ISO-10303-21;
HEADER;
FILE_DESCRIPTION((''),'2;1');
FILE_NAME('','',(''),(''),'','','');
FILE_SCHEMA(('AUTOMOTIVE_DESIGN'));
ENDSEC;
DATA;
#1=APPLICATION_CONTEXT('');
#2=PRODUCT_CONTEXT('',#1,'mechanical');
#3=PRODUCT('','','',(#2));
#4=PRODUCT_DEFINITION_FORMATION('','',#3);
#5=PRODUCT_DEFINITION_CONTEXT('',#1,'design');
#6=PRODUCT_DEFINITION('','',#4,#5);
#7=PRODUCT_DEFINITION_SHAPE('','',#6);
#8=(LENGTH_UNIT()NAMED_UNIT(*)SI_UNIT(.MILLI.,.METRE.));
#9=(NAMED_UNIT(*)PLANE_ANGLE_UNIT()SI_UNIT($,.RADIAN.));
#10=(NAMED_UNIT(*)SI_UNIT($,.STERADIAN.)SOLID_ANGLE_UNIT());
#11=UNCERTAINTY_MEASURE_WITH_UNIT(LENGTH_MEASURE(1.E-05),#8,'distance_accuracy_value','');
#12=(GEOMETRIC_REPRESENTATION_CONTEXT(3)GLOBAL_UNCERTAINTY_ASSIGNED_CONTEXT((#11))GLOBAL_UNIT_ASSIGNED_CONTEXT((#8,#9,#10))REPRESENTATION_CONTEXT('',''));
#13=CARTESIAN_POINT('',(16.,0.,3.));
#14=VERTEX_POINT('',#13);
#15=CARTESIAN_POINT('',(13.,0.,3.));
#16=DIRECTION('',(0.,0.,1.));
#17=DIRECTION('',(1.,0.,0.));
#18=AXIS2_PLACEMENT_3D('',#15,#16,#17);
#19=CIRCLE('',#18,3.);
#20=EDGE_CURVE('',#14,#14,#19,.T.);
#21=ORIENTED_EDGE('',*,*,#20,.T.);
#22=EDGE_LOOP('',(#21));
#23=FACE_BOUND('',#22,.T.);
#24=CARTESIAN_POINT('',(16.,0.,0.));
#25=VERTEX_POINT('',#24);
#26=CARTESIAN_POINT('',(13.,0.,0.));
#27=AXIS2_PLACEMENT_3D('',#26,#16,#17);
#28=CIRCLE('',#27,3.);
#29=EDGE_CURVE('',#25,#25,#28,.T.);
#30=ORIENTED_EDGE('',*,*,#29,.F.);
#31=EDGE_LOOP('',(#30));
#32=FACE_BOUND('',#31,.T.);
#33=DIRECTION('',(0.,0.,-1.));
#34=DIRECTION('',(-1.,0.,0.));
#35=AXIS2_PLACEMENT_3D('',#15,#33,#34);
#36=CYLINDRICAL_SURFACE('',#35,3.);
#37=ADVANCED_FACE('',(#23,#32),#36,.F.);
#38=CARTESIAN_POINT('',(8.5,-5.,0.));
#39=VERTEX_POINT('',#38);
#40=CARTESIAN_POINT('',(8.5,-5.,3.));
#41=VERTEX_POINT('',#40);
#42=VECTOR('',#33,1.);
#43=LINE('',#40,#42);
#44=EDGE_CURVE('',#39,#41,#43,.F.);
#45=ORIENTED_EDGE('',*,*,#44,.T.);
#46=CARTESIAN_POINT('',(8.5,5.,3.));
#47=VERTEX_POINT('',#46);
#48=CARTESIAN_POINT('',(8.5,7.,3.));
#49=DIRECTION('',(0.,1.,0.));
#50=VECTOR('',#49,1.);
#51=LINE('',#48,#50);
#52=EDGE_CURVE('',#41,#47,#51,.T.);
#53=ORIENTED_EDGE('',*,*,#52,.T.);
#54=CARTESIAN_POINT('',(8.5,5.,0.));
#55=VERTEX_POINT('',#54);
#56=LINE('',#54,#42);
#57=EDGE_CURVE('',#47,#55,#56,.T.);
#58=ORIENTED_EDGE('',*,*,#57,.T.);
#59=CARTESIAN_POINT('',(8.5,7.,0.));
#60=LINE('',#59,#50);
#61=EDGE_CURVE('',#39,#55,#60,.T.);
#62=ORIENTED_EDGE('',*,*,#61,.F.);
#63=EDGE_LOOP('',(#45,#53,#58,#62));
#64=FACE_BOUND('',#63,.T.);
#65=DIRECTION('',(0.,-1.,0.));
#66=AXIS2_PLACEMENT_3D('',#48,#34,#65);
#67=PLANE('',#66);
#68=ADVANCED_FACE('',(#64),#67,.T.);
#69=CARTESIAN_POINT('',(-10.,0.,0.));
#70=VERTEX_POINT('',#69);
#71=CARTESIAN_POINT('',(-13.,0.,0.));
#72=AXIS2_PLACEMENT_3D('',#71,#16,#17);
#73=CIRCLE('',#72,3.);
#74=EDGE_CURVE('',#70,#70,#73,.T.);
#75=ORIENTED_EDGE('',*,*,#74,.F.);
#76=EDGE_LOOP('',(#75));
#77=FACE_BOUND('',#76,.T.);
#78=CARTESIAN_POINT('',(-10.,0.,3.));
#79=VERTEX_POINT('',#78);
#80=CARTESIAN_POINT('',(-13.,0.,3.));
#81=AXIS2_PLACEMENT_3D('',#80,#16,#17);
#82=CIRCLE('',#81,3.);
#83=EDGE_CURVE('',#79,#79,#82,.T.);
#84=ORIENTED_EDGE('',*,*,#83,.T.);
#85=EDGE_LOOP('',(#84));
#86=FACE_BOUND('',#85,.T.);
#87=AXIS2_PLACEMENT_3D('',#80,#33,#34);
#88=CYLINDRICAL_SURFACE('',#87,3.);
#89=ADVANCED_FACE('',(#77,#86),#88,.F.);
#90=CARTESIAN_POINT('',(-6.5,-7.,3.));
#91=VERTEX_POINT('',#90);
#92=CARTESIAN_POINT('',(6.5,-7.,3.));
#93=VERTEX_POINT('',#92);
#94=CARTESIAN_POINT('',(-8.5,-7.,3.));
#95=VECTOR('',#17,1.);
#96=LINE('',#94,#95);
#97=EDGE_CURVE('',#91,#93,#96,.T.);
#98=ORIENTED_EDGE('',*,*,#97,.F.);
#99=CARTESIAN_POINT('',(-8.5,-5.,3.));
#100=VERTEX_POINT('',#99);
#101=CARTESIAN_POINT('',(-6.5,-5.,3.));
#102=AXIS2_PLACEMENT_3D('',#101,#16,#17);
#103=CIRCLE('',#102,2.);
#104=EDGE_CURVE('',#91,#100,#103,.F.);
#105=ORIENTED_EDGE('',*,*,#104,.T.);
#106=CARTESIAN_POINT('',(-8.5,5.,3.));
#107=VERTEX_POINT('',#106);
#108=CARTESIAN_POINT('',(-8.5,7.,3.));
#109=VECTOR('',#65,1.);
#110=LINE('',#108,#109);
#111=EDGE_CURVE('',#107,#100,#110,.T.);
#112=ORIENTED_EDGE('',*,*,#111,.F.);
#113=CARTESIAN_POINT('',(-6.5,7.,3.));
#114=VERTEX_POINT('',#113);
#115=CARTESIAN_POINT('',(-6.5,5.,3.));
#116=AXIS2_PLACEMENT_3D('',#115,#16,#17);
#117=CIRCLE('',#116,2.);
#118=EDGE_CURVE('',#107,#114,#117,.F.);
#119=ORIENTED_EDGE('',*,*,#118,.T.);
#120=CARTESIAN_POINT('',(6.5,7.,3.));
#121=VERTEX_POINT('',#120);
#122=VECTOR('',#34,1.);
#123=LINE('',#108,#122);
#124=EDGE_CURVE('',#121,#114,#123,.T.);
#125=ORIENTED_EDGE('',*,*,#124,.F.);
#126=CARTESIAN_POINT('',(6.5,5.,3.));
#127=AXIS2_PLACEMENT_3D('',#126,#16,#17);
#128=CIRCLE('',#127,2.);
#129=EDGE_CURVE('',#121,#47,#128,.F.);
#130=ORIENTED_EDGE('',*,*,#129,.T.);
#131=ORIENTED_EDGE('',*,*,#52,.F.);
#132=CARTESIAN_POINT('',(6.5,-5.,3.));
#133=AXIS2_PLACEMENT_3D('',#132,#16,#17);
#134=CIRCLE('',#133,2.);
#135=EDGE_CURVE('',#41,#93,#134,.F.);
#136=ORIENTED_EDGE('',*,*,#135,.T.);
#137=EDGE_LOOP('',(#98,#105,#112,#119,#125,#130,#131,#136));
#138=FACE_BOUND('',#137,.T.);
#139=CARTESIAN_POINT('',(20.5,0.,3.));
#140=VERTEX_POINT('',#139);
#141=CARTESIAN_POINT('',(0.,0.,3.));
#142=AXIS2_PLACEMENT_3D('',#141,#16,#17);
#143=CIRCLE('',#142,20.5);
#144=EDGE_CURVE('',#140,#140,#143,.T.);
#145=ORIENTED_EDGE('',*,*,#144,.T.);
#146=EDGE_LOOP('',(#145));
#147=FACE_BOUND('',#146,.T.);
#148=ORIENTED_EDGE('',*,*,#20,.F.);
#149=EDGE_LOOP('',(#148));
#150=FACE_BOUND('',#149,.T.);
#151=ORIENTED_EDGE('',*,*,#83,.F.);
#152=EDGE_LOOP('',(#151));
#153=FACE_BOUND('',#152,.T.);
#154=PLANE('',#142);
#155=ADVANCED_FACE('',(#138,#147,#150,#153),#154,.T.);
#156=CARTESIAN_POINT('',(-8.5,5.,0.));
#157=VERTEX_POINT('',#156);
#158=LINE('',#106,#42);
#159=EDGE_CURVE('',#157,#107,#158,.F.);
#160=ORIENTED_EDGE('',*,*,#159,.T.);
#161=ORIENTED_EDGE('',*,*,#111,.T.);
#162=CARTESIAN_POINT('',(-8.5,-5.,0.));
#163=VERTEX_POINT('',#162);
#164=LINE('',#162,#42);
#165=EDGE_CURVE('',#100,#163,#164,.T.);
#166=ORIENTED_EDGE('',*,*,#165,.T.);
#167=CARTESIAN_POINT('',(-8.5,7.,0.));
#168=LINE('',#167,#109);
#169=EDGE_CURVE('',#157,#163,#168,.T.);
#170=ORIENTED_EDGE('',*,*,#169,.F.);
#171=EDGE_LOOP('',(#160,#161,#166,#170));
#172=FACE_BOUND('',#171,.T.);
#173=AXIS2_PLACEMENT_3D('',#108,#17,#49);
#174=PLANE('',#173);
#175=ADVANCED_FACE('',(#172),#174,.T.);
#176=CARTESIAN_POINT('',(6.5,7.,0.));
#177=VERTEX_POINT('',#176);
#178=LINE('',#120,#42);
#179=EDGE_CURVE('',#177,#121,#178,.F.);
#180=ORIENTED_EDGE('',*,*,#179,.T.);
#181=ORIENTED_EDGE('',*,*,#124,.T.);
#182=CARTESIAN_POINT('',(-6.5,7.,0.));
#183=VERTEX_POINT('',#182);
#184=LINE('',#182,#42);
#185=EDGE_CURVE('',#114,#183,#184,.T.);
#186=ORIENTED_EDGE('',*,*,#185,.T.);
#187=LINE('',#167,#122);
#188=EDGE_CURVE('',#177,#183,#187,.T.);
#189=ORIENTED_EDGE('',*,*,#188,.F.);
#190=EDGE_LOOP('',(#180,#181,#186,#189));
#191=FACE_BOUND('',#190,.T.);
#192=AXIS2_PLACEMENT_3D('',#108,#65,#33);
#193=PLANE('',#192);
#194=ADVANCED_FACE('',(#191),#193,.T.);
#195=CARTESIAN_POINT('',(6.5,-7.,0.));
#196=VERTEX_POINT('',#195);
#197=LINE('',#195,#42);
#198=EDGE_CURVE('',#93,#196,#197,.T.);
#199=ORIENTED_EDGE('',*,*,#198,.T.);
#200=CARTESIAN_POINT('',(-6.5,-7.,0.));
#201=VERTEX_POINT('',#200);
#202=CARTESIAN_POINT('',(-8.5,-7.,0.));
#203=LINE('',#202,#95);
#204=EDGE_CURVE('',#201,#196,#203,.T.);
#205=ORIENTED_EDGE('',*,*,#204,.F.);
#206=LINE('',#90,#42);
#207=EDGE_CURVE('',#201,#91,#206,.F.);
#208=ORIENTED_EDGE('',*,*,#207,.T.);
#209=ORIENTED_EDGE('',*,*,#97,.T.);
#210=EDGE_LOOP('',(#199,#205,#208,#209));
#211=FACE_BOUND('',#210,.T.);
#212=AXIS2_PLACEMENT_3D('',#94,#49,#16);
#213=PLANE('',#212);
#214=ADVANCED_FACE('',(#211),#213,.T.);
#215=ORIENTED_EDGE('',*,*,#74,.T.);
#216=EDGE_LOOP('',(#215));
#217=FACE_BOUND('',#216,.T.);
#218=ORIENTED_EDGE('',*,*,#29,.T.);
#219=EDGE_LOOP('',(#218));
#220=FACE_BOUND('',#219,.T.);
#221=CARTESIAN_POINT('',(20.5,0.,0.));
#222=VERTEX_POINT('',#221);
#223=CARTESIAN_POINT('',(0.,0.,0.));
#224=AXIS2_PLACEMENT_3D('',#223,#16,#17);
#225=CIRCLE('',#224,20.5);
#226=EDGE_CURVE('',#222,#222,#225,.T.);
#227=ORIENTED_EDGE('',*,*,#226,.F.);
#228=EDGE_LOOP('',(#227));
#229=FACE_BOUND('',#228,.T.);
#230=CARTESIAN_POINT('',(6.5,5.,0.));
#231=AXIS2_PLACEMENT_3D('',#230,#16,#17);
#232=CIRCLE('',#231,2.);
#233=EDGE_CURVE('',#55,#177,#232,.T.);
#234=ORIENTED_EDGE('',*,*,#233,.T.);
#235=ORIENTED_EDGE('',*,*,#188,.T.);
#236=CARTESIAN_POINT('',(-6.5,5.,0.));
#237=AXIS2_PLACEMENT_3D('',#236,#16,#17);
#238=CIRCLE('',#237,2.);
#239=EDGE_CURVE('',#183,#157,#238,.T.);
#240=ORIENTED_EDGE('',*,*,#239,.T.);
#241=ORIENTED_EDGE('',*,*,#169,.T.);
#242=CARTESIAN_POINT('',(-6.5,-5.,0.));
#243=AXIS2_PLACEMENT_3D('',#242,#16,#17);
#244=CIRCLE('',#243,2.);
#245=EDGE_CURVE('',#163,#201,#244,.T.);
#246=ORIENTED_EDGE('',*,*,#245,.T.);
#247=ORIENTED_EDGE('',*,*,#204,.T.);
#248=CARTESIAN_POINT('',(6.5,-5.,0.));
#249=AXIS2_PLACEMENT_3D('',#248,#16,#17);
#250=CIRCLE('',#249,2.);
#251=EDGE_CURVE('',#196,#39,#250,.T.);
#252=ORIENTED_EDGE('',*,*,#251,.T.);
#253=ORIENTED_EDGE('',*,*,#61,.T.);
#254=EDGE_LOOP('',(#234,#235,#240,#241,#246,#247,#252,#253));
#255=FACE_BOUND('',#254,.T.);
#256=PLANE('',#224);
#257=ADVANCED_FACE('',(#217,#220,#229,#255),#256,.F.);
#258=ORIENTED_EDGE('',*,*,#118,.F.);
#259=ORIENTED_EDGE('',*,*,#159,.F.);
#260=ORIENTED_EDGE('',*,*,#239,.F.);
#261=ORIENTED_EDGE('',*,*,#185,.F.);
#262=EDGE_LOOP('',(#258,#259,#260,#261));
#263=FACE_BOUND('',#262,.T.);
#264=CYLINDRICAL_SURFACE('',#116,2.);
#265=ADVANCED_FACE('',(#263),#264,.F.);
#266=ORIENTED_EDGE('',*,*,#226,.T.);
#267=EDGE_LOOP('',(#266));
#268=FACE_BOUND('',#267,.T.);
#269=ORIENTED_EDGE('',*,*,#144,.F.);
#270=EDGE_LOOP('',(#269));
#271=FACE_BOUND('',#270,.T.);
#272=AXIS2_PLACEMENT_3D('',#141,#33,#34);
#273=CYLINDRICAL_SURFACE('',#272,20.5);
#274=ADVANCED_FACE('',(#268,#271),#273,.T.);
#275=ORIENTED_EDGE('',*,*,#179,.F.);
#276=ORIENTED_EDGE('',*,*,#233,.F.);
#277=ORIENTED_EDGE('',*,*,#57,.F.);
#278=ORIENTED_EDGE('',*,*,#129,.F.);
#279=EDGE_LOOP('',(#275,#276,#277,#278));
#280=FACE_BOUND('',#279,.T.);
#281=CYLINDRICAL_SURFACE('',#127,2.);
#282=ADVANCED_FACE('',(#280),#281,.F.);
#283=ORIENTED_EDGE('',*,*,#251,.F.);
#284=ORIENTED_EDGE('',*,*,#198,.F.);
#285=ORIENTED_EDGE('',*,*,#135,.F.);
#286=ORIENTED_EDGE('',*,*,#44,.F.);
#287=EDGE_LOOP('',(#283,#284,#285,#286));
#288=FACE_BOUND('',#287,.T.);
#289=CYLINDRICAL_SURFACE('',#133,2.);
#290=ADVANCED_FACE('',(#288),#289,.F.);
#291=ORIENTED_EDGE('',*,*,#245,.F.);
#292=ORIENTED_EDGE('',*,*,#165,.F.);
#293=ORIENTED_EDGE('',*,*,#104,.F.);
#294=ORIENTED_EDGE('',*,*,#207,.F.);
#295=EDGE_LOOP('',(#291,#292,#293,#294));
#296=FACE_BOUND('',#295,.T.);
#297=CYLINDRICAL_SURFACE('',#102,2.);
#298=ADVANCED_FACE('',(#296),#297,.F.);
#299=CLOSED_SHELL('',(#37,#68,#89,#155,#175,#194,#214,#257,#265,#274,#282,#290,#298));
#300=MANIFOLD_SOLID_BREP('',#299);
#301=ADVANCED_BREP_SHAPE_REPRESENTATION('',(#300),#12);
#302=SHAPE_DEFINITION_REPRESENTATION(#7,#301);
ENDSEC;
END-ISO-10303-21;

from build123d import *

# Parameters (mm, degrees)
SKETCH1_R           = 20.5
SKETCH1_R_2         = 3
SKETCH1_W           = 17
SKETCH1_H           = 14
BOSS_EXTRUDE1_DEPTH = 3
FILLET1_R           = 2


with BuildPart() as part:
    # Sketch1 → Boss-Extrude1 (new body)
    with BuildSketch(Plane.XY):
        Circle(SKETCH1_R)
        with Locations((-13, 0)):
            Circle(SKETCH1_R_2, mode=Mode.SUBTRACT)
        with Locations((13, 0)):
            Circle(SKETCH1_R_2, mode=Mode.SUBTRACT)
        Rectangle(SKETCH1_W, SKETCH1_H, mode=Mode.SUBTRACT)
    extrude(amount=BOSS_EXTRUDE1_DEPTH)

    # Fillet1
    fillet1_edges = [part.edges().sort_by_distance(p)[0] for p in [
        (8.5, -7, 1.5),
        (8.5, 7, 1.5),
        (-8.5, 7, 1.5),
        (-8.5, -7, 1.5),
    ]]
    fillet(fillet1_edges, radius=FILLET1_R)


solid = part.part
